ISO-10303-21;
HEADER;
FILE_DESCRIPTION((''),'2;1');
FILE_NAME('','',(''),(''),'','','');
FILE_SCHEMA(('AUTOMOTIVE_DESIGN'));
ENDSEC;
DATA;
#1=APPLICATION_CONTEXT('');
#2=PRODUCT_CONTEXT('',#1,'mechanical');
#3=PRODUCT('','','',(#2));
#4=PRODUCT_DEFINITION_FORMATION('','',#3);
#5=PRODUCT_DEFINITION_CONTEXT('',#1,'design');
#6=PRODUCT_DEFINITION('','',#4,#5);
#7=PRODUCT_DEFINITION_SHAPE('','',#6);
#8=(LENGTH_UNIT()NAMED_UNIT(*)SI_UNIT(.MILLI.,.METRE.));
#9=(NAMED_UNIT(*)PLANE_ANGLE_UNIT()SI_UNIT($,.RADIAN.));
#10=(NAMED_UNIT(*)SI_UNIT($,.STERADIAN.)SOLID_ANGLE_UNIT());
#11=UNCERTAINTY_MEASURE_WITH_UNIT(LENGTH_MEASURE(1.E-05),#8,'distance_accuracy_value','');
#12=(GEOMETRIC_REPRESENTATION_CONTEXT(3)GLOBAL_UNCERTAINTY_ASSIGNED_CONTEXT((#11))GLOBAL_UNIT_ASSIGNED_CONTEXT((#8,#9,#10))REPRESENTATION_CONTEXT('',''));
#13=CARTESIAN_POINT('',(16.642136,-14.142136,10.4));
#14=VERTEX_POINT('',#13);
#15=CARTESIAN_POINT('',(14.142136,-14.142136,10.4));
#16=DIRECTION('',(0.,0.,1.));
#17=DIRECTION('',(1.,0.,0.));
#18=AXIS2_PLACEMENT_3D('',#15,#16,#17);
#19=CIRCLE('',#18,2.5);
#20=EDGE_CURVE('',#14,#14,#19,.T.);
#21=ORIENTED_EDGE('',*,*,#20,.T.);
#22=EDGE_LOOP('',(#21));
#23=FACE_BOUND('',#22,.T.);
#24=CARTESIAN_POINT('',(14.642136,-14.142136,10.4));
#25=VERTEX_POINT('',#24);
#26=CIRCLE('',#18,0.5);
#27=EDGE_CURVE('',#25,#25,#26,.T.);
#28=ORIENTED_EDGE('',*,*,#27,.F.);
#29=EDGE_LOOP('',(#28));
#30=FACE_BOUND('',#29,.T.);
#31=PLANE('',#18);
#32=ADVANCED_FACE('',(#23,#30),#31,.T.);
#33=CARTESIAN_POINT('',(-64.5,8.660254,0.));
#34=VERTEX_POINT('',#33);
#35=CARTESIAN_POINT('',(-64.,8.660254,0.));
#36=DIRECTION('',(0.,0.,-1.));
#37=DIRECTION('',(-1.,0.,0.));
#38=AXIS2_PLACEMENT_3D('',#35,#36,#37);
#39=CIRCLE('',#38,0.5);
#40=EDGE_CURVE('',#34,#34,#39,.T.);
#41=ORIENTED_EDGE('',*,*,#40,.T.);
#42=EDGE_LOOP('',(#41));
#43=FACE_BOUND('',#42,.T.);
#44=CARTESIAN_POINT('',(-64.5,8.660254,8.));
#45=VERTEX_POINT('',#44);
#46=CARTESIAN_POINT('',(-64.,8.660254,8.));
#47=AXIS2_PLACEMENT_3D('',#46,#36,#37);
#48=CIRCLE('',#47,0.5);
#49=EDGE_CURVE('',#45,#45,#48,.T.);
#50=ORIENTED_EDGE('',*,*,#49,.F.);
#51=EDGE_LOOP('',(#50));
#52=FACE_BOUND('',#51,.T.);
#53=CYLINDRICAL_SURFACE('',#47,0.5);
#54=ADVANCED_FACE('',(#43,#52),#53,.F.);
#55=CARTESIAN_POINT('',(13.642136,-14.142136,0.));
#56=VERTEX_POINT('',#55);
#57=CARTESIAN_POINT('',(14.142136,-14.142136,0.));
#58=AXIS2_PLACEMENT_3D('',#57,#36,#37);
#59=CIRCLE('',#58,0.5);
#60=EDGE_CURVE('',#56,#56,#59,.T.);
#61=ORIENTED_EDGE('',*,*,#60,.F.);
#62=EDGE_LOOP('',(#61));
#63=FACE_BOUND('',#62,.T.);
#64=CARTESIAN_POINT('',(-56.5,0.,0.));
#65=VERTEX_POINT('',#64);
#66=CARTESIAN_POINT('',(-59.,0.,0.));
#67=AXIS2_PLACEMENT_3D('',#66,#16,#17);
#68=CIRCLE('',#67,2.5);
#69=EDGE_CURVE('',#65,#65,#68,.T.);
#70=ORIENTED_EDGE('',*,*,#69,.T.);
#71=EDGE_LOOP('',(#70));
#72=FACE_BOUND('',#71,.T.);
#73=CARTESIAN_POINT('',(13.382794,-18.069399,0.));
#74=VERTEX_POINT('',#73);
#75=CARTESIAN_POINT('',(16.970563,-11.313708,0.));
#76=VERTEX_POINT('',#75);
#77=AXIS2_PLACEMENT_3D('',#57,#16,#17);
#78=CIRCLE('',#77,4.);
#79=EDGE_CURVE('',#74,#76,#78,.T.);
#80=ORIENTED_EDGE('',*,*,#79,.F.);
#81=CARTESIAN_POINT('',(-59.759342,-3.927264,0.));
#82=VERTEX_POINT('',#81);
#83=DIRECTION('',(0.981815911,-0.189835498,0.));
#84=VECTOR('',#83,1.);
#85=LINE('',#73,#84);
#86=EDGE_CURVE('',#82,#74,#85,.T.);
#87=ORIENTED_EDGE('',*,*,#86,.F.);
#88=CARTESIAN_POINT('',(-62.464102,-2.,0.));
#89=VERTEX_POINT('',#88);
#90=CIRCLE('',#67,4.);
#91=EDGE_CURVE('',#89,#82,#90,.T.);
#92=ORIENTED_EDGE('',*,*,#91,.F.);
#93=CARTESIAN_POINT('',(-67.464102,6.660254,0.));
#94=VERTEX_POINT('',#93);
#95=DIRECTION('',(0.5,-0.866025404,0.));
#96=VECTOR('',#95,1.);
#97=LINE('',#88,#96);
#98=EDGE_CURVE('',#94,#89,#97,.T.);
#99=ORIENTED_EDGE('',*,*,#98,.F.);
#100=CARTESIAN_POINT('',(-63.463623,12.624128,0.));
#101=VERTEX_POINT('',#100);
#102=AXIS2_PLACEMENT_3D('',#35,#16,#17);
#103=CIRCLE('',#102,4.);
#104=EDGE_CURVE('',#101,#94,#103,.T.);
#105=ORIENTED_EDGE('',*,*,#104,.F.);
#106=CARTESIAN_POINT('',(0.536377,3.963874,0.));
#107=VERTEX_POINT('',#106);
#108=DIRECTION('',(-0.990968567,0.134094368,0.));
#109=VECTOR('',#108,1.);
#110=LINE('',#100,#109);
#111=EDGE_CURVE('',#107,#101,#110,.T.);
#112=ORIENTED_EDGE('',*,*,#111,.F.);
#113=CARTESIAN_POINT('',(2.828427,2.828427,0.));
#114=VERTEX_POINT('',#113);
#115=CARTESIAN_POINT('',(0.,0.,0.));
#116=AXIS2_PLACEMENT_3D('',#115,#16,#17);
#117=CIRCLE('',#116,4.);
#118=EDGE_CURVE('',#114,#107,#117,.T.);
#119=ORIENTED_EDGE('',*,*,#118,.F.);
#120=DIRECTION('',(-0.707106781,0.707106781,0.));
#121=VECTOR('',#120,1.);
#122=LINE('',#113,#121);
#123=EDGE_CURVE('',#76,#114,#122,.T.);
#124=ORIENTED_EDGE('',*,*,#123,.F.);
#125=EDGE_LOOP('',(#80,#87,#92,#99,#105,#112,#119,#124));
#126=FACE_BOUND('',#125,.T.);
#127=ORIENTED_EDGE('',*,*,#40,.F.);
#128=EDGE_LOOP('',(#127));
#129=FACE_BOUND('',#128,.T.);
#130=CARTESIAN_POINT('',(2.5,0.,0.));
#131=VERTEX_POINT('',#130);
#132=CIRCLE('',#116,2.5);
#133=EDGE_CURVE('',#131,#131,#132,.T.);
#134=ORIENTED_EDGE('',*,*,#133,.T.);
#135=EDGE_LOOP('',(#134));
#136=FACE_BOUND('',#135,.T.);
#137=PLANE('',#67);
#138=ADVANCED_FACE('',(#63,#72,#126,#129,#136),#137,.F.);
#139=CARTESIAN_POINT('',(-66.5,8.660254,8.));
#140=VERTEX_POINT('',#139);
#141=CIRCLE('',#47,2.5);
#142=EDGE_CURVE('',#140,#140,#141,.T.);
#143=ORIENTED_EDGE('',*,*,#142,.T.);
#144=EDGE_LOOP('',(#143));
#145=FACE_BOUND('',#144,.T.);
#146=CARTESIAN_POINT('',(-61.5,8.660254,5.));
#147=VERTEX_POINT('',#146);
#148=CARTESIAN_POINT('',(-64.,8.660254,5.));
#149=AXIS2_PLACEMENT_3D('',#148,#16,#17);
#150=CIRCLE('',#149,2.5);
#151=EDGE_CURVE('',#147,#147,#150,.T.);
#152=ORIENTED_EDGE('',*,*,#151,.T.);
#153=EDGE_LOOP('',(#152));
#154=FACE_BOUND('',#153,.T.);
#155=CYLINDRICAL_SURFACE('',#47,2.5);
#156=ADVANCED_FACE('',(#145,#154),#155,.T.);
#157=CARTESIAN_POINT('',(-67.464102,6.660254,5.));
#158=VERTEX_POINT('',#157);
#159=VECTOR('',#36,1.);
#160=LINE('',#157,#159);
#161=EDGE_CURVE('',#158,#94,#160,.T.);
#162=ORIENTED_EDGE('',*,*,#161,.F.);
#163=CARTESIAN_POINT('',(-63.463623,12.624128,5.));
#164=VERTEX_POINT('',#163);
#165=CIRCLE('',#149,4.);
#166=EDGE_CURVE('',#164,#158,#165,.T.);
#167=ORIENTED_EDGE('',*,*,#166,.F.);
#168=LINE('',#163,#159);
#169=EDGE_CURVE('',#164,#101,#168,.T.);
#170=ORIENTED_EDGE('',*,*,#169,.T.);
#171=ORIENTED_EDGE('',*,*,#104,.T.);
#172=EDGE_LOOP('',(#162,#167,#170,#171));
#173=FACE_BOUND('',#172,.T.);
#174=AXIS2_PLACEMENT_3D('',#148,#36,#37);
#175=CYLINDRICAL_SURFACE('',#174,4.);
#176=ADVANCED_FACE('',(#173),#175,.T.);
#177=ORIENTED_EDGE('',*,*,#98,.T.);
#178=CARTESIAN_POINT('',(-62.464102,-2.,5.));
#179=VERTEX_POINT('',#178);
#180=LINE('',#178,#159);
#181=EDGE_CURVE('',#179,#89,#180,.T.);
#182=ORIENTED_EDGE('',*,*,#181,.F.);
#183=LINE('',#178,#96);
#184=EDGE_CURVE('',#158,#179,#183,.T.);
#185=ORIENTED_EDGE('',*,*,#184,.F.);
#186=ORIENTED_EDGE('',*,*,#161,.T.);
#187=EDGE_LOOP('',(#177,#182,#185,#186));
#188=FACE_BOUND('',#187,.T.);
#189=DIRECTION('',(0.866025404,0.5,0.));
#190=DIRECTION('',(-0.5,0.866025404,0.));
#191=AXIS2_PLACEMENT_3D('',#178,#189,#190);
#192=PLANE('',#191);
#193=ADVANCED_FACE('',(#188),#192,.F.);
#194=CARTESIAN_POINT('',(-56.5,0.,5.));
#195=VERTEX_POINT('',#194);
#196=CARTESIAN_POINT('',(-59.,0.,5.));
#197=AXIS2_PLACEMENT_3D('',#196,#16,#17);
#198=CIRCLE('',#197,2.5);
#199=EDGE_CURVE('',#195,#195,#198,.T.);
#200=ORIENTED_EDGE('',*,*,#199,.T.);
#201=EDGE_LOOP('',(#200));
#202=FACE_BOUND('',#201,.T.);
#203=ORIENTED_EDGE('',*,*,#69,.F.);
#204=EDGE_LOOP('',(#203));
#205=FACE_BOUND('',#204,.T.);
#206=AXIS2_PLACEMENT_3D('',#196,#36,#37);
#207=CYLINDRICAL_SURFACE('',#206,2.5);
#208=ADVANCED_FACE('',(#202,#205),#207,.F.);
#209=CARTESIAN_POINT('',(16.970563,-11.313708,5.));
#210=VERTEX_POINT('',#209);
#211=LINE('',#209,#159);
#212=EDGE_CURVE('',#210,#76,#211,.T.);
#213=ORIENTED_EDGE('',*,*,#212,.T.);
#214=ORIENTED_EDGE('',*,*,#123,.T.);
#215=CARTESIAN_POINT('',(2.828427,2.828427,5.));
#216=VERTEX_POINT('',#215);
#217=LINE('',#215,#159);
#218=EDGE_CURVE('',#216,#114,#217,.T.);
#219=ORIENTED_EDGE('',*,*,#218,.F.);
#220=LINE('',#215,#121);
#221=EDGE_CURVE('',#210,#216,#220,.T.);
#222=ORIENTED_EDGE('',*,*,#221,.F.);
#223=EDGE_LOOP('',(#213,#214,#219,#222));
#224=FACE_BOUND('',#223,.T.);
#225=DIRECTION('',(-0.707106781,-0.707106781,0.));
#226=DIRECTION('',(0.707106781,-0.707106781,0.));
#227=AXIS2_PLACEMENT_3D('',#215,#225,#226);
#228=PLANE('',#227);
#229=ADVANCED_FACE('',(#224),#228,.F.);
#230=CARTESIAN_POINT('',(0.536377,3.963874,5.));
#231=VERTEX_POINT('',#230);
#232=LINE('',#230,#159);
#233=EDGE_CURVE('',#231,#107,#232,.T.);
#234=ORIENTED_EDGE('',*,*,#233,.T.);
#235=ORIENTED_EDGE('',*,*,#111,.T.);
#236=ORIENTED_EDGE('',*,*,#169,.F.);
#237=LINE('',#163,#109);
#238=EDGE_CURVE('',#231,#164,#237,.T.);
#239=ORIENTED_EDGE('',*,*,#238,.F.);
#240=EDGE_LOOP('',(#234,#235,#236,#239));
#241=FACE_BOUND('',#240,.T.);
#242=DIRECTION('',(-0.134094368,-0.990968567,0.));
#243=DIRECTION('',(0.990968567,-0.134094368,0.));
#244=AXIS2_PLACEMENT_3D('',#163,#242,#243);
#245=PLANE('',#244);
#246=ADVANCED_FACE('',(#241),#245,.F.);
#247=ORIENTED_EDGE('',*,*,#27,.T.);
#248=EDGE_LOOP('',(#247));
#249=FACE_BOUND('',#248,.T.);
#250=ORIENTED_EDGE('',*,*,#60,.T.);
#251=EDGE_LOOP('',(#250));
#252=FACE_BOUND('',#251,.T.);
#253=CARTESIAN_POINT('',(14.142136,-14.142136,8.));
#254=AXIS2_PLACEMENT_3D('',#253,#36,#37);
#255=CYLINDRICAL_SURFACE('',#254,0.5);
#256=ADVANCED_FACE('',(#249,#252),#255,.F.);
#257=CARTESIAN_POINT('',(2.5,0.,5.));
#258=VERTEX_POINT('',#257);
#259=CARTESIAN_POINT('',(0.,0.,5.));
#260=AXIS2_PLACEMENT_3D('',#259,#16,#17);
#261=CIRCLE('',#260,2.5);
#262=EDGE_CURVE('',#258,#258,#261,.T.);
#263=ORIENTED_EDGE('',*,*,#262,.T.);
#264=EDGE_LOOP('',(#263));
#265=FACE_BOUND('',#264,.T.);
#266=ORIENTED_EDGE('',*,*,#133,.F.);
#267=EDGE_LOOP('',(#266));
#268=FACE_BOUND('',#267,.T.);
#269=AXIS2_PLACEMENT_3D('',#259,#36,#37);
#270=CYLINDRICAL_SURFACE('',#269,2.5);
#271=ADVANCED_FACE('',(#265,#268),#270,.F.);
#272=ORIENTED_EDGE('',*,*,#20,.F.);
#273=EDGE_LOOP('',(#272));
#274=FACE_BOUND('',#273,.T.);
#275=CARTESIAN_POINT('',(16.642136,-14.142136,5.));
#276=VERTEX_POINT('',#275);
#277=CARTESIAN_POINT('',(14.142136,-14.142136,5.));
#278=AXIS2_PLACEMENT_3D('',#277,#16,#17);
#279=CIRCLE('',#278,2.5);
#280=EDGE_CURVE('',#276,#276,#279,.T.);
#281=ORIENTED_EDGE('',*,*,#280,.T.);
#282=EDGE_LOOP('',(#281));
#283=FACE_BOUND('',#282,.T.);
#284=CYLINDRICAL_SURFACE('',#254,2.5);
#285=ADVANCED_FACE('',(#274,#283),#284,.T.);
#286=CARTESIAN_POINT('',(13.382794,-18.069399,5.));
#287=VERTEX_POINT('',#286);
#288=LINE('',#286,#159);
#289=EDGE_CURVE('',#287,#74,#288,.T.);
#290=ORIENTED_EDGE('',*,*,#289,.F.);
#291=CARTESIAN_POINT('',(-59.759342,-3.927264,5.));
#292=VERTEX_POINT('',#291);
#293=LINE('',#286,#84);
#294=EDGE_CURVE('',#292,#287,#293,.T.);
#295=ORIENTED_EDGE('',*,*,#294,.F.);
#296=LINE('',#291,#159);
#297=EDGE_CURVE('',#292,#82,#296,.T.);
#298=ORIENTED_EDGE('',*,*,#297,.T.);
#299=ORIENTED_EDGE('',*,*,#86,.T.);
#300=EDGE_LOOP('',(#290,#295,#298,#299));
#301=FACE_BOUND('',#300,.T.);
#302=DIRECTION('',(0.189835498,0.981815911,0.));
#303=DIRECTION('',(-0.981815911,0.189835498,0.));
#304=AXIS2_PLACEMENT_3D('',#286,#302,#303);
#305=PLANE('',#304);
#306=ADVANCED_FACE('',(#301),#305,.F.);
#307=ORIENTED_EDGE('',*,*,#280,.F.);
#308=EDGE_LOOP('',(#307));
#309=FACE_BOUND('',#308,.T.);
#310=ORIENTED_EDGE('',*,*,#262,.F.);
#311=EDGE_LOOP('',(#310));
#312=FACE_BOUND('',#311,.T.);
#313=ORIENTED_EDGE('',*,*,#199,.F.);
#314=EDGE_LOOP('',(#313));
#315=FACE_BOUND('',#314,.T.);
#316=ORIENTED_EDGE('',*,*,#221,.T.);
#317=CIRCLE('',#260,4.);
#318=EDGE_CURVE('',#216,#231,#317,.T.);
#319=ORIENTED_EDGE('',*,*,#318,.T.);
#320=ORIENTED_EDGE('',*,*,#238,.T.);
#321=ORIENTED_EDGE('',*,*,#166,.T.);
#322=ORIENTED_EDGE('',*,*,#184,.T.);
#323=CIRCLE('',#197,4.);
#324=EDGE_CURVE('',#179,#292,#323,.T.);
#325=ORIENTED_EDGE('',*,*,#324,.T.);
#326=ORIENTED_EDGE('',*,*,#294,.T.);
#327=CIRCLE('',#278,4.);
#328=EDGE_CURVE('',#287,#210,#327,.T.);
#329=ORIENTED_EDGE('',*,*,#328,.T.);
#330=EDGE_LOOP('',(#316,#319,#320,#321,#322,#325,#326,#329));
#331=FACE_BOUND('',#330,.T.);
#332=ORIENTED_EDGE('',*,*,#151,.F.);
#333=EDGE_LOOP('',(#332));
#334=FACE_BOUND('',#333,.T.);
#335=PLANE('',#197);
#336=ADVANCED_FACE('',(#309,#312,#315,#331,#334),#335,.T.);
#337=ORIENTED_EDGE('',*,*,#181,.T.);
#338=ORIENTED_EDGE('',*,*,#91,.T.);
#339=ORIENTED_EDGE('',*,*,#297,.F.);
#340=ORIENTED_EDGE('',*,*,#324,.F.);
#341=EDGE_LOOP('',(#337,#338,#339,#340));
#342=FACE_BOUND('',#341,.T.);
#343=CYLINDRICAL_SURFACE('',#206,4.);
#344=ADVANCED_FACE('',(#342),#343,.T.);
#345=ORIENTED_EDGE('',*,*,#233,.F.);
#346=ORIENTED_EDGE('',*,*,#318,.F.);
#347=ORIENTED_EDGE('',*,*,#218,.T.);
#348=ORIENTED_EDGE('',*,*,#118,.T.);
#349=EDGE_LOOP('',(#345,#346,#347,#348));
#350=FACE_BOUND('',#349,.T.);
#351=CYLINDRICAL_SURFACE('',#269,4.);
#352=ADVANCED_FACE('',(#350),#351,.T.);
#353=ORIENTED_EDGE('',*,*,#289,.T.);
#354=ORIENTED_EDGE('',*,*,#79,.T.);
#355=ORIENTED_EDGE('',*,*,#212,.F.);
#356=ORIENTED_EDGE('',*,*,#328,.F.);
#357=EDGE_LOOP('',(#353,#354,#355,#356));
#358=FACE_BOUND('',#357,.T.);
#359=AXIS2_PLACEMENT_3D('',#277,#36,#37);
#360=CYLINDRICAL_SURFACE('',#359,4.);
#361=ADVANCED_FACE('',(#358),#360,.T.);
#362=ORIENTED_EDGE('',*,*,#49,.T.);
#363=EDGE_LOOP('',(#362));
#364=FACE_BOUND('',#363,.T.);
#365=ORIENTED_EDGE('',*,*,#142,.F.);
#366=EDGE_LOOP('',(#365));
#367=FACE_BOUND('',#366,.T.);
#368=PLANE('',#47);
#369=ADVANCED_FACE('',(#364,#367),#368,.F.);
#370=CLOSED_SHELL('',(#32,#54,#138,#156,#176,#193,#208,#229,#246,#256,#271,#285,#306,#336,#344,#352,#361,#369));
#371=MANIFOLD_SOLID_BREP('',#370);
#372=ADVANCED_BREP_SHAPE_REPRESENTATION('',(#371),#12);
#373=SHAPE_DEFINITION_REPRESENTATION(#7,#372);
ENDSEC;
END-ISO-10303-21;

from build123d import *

# Parameters (mm, degrees)
SKETCH2_R           = 2.5
BOSS_EXTRUDE1_DEPTH = 5
SKETCH4_R           = 2.5
SKETCH4_R_2         = 0.5
BOSS_EXTRUDE3_DEPTH = 8
SKETCH5_R           = 2.5
SKETCH5_R_2         = 0.5
BOSS_EXTRUDE4_DEPTH = 2.4


with BuildPart() as part:
    # Sketch2 → Boss-Extrude1 (new body)
    with BuildSketch(Plane.XY):
        with BuildLine():
            Line((-63.463622529, 12.624128305), (0.536377471, 3.963874268))
            ThreePointArc((0.536377471, 3.963874268), (1.775609063, 3.584300832), (2.828427125, 2.828427125))
            Line((2.828427125, 2.828427125), (16.970562748, -11.313708499))
            ThreePointArc((16.970562748, -11.313708499), (17.674856638, -16.018270543), (13.38279363, -18.069399269))
            Line((13.38279363, -18.069399269), (-59.759341994, -3.927263645))
            ThreePointArc((-59.759341994, -3.927263645), (-61.321196947, -3.257613349), (-62.464101615, -2))
            Line((-62.464101615, -2), (-67.464101615, 6.660254038))
            ThreePointArc((-67.464101615, 6.660254038), (-67.321873152, 10.888517659), (-63.463622529, 12.624128305))
        make_face()
        with Locations((-59, 0)):
            Circle(SKETCH2_R, mode=Mode.SUBTRACT)
        with Locations((-64, 8.660254038)):
            Circle(SKETCH2_R, mode=Mode.SUBTRACT)
        Circle(SKETCH2_R, mode=Mode.SUBTRACT)
        with Locations((14.142135624, -14.142135624)):
            Circle(SKETCH2_R, mode=Mode.SUBTRACT)
    extrude(amount=BOSS_EXTRUDE1_DEPTH)

    # Sketch4 → Boss-Extrude3 (add)
    # profile 1 of 2: a face of its own
    with BuildSketch(Plane(origin=(0, 0, 0), x_dir=(-1, 0, 0), z_dir=(0, 0, -1))):
        with Locations((64, 8.660254038)):
            Circle(SKETCH4_R)
        with Locations((64, 8.660254038)):
            Circle(SKETCH4_R_2, mode=Mode.SUBTRACT)
    # profile 2 of 2: a face of its own
    with BuildSketch(Plane(origin=(0, 0, 0), x_dir=(-1, 0, 0), z_dir=(0, 0, -1))):
        with Locations((-14.142135624, -14.142135624)):
            Circle(SKETCH4_R)
        with Locations((-14.142135624, -14.142135624)):
            Circle(SKETCH4_R_2, mode=Mode.SUBTRACT)
    extrude(amount=-BOSS_EXTRUDE3_DEPTH)

    # Sketch5 → Boss-Extrude4 (add)
    with BuildSketch(Plane.XY.offset(8)):
        with Locations((14.142135624, -14.142135624)):
            Circle(SKETCH5_R)
        with Locations(Location((14.142135624, -14.142135624, 0), (0, 0, 180))):
            Circle(SKETCH5_R_2, mode=Mode.SUBTRACT)
    extrude(amount=BOSS_EXTRUDE4_DEPTH)


solid = part.part
